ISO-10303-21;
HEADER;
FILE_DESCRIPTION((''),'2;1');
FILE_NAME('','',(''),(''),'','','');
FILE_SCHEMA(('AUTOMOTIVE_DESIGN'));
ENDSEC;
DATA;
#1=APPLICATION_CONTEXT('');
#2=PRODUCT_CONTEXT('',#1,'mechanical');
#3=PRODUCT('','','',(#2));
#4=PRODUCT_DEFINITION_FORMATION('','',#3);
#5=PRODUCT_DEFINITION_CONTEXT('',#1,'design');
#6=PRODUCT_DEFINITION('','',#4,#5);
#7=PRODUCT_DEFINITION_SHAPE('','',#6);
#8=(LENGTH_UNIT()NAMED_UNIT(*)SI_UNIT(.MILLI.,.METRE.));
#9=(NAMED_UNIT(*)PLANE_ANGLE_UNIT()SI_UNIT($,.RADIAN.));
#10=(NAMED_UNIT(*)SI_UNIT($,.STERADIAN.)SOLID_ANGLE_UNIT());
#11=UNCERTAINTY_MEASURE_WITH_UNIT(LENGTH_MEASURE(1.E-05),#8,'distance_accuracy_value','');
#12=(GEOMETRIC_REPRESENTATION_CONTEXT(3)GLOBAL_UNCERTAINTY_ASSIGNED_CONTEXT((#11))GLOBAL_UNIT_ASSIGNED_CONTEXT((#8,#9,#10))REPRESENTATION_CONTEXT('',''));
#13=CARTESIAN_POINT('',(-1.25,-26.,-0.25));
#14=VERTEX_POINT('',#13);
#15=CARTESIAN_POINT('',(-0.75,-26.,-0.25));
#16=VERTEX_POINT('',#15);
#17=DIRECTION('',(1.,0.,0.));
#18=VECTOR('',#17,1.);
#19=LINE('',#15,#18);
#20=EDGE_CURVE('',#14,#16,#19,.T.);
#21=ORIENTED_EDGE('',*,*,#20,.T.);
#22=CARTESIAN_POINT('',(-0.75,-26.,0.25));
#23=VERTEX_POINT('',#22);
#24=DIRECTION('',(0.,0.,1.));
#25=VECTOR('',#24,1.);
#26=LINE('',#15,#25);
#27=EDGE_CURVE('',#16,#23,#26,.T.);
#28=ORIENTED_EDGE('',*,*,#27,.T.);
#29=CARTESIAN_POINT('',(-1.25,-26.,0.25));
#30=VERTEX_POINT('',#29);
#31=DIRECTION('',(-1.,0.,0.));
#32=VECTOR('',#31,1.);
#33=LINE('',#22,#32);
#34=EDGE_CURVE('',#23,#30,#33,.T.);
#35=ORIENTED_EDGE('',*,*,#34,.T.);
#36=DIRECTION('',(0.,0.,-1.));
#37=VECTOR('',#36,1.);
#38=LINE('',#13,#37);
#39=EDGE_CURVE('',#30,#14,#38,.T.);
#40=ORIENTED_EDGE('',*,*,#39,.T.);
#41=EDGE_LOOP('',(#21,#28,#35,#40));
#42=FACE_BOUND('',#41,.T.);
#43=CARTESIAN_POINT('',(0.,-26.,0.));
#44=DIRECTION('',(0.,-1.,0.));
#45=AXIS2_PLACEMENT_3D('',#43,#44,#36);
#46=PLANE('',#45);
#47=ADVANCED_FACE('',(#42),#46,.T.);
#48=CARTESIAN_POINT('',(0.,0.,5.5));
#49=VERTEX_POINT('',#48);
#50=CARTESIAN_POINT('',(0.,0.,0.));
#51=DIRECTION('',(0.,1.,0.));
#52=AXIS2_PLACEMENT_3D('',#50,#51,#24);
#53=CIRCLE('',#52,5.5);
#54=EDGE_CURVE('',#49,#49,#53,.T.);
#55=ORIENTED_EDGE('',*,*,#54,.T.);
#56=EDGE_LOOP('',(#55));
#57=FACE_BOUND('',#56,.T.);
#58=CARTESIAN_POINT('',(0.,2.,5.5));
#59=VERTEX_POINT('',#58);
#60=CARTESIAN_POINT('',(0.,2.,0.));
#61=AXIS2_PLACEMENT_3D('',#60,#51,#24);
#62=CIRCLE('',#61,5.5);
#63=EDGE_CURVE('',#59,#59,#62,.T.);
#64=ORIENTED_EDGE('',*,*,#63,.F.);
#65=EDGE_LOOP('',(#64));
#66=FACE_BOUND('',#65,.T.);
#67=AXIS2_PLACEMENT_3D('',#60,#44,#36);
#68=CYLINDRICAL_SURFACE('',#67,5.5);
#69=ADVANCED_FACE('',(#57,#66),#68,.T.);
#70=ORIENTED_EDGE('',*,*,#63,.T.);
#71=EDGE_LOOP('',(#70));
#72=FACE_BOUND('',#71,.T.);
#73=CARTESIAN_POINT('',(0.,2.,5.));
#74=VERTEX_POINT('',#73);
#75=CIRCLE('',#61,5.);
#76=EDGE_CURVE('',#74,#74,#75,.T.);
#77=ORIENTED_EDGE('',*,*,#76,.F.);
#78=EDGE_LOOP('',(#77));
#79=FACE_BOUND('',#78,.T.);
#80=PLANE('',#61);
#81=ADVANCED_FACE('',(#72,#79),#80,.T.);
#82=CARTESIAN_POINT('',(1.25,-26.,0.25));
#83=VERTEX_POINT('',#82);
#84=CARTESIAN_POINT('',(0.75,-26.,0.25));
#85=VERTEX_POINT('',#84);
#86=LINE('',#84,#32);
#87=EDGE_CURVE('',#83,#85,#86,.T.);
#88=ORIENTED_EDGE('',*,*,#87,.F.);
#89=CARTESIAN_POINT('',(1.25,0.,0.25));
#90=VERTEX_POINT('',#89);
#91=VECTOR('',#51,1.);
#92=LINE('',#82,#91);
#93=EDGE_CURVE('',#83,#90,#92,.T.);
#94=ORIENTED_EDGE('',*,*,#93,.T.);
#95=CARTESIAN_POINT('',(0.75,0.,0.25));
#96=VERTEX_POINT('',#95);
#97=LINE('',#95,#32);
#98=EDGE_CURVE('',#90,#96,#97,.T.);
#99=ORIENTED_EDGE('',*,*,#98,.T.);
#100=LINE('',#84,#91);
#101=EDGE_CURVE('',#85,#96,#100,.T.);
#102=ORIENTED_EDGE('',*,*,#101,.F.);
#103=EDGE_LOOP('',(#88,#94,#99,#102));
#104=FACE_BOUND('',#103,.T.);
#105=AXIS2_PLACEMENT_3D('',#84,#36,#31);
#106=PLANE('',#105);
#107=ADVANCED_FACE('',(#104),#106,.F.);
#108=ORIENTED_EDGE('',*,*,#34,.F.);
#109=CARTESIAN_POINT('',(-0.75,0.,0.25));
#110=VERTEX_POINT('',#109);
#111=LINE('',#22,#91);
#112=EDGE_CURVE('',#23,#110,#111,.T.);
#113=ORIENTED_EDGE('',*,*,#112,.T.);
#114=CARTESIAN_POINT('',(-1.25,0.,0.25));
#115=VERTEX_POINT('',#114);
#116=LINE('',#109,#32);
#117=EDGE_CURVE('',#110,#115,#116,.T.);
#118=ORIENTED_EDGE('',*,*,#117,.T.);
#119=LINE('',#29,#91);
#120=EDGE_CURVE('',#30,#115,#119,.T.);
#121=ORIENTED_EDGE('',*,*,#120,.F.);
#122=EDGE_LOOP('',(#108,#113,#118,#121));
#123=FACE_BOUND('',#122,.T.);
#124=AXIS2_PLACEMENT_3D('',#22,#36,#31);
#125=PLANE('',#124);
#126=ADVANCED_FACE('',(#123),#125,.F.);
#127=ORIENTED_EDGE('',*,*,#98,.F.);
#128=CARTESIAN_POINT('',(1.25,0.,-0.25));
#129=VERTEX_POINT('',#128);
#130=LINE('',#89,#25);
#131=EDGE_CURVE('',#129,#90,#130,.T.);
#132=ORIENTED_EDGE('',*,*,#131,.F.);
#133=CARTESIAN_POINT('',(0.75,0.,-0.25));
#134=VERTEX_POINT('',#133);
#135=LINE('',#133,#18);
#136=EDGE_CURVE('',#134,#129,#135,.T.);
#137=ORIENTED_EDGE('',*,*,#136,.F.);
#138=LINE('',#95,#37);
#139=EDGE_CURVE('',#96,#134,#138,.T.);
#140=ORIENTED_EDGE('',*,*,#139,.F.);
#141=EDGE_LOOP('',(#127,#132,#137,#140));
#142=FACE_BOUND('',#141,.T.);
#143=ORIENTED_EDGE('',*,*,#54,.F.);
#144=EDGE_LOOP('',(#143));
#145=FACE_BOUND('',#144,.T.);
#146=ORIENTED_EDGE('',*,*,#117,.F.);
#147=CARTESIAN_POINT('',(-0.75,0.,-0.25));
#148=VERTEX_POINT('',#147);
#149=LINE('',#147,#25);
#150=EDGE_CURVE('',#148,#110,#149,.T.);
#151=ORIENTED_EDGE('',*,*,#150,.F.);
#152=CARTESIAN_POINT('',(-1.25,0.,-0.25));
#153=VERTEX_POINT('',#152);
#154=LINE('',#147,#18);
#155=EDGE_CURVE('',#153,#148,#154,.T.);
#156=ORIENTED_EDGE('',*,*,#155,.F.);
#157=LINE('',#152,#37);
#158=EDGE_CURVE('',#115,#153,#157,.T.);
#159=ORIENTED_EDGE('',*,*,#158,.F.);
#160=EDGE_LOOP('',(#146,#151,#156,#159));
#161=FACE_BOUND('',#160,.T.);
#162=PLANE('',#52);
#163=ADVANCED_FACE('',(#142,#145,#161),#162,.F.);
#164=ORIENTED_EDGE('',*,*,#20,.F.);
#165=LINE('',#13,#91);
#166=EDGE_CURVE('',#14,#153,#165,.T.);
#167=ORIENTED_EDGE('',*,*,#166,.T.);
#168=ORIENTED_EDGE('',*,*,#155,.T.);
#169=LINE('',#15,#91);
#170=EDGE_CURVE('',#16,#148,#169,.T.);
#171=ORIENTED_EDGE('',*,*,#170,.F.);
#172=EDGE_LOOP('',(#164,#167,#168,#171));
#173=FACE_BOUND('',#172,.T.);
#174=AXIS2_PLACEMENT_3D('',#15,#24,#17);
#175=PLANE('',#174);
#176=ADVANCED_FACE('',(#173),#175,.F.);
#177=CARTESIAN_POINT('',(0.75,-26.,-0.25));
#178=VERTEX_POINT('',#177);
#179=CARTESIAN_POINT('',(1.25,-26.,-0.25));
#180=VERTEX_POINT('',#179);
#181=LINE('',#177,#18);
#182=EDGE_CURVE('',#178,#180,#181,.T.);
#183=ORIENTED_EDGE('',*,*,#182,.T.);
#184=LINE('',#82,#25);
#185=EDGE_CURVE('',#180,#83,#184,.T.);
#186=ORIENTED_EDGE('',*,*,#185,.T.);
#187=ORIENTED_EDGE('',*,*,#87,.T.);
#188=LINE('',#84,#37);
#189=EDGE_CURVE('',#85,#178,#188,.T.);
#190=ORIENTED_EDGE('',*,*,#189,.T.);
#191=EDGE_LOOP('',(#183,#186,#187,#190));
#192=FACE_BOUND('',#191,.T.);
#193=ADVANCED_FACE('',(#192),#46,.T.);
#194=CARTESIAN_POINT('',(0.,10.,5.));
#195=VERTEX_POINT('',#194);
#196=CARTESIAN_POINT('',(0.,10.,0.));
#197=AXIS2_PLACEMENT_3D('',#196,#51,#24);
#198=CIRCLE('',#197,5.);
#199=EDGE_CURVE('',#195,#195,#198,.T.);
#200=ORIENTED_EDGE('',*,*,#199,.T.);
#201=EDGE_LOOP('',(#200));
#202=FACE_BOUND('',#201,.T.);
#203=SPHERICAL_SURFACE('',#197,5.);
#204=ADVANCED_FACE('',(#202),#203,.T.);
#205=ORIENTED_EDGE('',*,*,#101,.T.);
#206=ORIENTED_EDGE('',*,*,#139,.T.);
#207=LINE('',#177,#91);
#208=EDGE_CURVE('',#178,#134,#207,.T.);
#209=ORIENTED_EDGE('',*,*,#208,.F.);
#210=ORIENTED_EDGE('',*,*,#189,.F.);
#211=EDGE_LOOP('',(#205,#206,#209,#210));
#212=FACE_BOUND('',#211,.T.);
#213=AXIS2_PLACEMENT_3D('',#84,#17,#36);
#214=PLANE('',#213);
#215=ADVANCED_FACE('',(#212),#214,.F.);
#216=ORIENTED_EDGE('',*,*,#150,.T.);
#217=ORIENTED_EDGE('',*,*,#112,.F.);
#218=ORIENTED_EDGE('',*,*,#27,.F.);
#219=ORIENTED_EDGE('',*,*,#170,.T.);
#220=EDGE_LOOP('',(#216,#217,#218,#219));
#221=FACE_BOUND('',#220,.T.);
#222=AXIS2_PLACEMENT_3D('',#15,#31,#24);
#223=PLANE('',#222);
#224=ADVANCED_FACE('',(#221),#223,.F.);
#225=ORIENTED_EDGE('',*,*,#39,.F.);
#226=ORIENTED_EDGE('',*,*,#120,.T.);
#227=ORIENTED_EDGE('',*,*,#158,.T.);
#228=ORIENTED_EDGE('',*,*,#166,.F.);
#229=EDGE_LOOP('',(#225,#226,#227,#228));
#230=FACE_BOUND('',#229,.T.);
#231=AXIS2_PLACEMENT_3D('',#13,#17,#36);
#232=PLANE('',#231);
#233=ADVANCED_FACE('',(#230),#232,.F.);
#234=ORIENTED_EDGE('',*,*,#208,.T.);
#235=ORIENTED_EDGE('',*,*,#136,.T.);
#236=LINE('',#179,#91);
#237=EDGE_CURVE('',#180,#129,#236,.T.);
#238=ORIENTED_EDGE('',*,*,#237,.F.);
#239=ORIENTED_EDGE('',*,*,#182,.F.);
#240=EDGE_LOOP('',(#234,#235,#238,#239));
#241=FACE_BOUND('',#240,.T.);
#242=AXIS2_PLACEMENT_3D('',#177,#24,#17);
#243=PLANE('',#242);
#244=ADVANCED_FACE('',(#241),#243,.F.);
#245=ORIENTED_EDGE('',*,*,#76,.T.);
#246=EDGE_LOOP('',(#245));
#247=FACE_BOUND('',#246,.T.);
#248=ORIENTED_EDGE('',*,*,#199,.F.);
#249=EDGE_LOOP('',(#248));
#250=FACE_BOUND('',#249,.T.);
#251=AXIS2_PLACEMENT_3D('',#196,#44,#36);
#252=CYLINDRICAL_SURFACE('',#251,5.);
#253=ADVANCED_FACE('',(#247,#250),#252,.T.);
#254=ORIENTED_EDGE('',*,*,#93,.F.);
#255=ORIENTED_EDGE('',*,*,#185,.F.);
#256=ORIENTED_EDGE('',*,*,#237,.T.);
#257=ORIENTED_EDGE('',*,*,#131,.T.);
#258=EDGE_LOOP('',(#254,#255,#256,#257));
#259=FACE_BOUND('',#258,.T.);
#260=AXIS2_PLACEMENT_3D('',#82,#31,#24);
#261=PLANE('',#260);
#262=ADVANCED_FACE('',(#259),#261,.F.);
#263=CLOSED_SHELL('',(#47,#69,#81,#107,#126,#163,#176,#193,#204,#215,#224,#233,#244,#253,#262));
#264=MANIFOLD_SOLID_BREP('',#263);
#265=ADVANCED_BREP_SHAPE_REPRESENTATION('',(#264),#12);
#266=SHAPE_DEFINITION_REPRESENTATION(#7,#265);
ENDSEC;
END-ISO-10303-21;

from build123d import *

# Parameters (mm, degrees)
SKETCH1_R           = 5.5
BOSS_EXTRUDE1_DEPTH = 2
SKETCH2_R           = 5
BOSS_EXTRUDE2_DEPTH = 8
REVOLVE1_ANGLE      = 180
SKETCH4_W           = 0.5
SKETCH4_H           = 0.5
BOSS_EXTRUDE3_DEPTH = 26


with BuildPart() as part:
    # Sketch1 → Boss-Extrude1 (new body)
    with BuildSketch(Plane(origin=(0, 0, 0), x_dir=(1, 0, 0), z_dir=(0, 1, 0))):
        with Locations(Location((0, 0, 0), (0, 0, 270))):
            Circle(SKETCH1_R)
    extrude(amount=BOSS_EXTRUDE1_DEPTH)

    # Sketch2 → Boss-Extrude2 (add)
    with BuildSketch(Plane(origin=(0, 2, 0), x_dir=(1, 0, 0), z_dir=(0, 1, 0))):
        with Locations(Location((0, 0, 0), (0, 0, 270))):
            Circle(SKETCH2_R)
    extrude(amount=BOSS_EXTRUDE2_DEPTH)

    # Sketch3 → Revolve1 (revolve)
    with BuildSketch(Plane(origin=(0, 10, 0), x_dir=(1, 0, 0), z_dir=(0, 1, 0))):
        with BuildLine():
            Line((0, 5), (0, -5))
            ThreePointArc((0, -5), (5, 0), (0, 5))
        make_face()
    revolve(axis=Axis((0, 10, -5), (0, 0, 1)), revolution_arc=REVOLVE1_ANGLE)

    # Sketch4 → Boss-Extrude3 (add)
    with BuildSketch(Plane.XZ):
        with Locations((-1, 0)):
            Rectangle(SKETCH4_W, SKETCH4_H)
        with Locations((1, 0)):
            Rectangle(SKETCH4_W, SKETCH4_H)
    extrude(amount=BOSS_EXTRUDE3_DEPTH)


solid = part.part
